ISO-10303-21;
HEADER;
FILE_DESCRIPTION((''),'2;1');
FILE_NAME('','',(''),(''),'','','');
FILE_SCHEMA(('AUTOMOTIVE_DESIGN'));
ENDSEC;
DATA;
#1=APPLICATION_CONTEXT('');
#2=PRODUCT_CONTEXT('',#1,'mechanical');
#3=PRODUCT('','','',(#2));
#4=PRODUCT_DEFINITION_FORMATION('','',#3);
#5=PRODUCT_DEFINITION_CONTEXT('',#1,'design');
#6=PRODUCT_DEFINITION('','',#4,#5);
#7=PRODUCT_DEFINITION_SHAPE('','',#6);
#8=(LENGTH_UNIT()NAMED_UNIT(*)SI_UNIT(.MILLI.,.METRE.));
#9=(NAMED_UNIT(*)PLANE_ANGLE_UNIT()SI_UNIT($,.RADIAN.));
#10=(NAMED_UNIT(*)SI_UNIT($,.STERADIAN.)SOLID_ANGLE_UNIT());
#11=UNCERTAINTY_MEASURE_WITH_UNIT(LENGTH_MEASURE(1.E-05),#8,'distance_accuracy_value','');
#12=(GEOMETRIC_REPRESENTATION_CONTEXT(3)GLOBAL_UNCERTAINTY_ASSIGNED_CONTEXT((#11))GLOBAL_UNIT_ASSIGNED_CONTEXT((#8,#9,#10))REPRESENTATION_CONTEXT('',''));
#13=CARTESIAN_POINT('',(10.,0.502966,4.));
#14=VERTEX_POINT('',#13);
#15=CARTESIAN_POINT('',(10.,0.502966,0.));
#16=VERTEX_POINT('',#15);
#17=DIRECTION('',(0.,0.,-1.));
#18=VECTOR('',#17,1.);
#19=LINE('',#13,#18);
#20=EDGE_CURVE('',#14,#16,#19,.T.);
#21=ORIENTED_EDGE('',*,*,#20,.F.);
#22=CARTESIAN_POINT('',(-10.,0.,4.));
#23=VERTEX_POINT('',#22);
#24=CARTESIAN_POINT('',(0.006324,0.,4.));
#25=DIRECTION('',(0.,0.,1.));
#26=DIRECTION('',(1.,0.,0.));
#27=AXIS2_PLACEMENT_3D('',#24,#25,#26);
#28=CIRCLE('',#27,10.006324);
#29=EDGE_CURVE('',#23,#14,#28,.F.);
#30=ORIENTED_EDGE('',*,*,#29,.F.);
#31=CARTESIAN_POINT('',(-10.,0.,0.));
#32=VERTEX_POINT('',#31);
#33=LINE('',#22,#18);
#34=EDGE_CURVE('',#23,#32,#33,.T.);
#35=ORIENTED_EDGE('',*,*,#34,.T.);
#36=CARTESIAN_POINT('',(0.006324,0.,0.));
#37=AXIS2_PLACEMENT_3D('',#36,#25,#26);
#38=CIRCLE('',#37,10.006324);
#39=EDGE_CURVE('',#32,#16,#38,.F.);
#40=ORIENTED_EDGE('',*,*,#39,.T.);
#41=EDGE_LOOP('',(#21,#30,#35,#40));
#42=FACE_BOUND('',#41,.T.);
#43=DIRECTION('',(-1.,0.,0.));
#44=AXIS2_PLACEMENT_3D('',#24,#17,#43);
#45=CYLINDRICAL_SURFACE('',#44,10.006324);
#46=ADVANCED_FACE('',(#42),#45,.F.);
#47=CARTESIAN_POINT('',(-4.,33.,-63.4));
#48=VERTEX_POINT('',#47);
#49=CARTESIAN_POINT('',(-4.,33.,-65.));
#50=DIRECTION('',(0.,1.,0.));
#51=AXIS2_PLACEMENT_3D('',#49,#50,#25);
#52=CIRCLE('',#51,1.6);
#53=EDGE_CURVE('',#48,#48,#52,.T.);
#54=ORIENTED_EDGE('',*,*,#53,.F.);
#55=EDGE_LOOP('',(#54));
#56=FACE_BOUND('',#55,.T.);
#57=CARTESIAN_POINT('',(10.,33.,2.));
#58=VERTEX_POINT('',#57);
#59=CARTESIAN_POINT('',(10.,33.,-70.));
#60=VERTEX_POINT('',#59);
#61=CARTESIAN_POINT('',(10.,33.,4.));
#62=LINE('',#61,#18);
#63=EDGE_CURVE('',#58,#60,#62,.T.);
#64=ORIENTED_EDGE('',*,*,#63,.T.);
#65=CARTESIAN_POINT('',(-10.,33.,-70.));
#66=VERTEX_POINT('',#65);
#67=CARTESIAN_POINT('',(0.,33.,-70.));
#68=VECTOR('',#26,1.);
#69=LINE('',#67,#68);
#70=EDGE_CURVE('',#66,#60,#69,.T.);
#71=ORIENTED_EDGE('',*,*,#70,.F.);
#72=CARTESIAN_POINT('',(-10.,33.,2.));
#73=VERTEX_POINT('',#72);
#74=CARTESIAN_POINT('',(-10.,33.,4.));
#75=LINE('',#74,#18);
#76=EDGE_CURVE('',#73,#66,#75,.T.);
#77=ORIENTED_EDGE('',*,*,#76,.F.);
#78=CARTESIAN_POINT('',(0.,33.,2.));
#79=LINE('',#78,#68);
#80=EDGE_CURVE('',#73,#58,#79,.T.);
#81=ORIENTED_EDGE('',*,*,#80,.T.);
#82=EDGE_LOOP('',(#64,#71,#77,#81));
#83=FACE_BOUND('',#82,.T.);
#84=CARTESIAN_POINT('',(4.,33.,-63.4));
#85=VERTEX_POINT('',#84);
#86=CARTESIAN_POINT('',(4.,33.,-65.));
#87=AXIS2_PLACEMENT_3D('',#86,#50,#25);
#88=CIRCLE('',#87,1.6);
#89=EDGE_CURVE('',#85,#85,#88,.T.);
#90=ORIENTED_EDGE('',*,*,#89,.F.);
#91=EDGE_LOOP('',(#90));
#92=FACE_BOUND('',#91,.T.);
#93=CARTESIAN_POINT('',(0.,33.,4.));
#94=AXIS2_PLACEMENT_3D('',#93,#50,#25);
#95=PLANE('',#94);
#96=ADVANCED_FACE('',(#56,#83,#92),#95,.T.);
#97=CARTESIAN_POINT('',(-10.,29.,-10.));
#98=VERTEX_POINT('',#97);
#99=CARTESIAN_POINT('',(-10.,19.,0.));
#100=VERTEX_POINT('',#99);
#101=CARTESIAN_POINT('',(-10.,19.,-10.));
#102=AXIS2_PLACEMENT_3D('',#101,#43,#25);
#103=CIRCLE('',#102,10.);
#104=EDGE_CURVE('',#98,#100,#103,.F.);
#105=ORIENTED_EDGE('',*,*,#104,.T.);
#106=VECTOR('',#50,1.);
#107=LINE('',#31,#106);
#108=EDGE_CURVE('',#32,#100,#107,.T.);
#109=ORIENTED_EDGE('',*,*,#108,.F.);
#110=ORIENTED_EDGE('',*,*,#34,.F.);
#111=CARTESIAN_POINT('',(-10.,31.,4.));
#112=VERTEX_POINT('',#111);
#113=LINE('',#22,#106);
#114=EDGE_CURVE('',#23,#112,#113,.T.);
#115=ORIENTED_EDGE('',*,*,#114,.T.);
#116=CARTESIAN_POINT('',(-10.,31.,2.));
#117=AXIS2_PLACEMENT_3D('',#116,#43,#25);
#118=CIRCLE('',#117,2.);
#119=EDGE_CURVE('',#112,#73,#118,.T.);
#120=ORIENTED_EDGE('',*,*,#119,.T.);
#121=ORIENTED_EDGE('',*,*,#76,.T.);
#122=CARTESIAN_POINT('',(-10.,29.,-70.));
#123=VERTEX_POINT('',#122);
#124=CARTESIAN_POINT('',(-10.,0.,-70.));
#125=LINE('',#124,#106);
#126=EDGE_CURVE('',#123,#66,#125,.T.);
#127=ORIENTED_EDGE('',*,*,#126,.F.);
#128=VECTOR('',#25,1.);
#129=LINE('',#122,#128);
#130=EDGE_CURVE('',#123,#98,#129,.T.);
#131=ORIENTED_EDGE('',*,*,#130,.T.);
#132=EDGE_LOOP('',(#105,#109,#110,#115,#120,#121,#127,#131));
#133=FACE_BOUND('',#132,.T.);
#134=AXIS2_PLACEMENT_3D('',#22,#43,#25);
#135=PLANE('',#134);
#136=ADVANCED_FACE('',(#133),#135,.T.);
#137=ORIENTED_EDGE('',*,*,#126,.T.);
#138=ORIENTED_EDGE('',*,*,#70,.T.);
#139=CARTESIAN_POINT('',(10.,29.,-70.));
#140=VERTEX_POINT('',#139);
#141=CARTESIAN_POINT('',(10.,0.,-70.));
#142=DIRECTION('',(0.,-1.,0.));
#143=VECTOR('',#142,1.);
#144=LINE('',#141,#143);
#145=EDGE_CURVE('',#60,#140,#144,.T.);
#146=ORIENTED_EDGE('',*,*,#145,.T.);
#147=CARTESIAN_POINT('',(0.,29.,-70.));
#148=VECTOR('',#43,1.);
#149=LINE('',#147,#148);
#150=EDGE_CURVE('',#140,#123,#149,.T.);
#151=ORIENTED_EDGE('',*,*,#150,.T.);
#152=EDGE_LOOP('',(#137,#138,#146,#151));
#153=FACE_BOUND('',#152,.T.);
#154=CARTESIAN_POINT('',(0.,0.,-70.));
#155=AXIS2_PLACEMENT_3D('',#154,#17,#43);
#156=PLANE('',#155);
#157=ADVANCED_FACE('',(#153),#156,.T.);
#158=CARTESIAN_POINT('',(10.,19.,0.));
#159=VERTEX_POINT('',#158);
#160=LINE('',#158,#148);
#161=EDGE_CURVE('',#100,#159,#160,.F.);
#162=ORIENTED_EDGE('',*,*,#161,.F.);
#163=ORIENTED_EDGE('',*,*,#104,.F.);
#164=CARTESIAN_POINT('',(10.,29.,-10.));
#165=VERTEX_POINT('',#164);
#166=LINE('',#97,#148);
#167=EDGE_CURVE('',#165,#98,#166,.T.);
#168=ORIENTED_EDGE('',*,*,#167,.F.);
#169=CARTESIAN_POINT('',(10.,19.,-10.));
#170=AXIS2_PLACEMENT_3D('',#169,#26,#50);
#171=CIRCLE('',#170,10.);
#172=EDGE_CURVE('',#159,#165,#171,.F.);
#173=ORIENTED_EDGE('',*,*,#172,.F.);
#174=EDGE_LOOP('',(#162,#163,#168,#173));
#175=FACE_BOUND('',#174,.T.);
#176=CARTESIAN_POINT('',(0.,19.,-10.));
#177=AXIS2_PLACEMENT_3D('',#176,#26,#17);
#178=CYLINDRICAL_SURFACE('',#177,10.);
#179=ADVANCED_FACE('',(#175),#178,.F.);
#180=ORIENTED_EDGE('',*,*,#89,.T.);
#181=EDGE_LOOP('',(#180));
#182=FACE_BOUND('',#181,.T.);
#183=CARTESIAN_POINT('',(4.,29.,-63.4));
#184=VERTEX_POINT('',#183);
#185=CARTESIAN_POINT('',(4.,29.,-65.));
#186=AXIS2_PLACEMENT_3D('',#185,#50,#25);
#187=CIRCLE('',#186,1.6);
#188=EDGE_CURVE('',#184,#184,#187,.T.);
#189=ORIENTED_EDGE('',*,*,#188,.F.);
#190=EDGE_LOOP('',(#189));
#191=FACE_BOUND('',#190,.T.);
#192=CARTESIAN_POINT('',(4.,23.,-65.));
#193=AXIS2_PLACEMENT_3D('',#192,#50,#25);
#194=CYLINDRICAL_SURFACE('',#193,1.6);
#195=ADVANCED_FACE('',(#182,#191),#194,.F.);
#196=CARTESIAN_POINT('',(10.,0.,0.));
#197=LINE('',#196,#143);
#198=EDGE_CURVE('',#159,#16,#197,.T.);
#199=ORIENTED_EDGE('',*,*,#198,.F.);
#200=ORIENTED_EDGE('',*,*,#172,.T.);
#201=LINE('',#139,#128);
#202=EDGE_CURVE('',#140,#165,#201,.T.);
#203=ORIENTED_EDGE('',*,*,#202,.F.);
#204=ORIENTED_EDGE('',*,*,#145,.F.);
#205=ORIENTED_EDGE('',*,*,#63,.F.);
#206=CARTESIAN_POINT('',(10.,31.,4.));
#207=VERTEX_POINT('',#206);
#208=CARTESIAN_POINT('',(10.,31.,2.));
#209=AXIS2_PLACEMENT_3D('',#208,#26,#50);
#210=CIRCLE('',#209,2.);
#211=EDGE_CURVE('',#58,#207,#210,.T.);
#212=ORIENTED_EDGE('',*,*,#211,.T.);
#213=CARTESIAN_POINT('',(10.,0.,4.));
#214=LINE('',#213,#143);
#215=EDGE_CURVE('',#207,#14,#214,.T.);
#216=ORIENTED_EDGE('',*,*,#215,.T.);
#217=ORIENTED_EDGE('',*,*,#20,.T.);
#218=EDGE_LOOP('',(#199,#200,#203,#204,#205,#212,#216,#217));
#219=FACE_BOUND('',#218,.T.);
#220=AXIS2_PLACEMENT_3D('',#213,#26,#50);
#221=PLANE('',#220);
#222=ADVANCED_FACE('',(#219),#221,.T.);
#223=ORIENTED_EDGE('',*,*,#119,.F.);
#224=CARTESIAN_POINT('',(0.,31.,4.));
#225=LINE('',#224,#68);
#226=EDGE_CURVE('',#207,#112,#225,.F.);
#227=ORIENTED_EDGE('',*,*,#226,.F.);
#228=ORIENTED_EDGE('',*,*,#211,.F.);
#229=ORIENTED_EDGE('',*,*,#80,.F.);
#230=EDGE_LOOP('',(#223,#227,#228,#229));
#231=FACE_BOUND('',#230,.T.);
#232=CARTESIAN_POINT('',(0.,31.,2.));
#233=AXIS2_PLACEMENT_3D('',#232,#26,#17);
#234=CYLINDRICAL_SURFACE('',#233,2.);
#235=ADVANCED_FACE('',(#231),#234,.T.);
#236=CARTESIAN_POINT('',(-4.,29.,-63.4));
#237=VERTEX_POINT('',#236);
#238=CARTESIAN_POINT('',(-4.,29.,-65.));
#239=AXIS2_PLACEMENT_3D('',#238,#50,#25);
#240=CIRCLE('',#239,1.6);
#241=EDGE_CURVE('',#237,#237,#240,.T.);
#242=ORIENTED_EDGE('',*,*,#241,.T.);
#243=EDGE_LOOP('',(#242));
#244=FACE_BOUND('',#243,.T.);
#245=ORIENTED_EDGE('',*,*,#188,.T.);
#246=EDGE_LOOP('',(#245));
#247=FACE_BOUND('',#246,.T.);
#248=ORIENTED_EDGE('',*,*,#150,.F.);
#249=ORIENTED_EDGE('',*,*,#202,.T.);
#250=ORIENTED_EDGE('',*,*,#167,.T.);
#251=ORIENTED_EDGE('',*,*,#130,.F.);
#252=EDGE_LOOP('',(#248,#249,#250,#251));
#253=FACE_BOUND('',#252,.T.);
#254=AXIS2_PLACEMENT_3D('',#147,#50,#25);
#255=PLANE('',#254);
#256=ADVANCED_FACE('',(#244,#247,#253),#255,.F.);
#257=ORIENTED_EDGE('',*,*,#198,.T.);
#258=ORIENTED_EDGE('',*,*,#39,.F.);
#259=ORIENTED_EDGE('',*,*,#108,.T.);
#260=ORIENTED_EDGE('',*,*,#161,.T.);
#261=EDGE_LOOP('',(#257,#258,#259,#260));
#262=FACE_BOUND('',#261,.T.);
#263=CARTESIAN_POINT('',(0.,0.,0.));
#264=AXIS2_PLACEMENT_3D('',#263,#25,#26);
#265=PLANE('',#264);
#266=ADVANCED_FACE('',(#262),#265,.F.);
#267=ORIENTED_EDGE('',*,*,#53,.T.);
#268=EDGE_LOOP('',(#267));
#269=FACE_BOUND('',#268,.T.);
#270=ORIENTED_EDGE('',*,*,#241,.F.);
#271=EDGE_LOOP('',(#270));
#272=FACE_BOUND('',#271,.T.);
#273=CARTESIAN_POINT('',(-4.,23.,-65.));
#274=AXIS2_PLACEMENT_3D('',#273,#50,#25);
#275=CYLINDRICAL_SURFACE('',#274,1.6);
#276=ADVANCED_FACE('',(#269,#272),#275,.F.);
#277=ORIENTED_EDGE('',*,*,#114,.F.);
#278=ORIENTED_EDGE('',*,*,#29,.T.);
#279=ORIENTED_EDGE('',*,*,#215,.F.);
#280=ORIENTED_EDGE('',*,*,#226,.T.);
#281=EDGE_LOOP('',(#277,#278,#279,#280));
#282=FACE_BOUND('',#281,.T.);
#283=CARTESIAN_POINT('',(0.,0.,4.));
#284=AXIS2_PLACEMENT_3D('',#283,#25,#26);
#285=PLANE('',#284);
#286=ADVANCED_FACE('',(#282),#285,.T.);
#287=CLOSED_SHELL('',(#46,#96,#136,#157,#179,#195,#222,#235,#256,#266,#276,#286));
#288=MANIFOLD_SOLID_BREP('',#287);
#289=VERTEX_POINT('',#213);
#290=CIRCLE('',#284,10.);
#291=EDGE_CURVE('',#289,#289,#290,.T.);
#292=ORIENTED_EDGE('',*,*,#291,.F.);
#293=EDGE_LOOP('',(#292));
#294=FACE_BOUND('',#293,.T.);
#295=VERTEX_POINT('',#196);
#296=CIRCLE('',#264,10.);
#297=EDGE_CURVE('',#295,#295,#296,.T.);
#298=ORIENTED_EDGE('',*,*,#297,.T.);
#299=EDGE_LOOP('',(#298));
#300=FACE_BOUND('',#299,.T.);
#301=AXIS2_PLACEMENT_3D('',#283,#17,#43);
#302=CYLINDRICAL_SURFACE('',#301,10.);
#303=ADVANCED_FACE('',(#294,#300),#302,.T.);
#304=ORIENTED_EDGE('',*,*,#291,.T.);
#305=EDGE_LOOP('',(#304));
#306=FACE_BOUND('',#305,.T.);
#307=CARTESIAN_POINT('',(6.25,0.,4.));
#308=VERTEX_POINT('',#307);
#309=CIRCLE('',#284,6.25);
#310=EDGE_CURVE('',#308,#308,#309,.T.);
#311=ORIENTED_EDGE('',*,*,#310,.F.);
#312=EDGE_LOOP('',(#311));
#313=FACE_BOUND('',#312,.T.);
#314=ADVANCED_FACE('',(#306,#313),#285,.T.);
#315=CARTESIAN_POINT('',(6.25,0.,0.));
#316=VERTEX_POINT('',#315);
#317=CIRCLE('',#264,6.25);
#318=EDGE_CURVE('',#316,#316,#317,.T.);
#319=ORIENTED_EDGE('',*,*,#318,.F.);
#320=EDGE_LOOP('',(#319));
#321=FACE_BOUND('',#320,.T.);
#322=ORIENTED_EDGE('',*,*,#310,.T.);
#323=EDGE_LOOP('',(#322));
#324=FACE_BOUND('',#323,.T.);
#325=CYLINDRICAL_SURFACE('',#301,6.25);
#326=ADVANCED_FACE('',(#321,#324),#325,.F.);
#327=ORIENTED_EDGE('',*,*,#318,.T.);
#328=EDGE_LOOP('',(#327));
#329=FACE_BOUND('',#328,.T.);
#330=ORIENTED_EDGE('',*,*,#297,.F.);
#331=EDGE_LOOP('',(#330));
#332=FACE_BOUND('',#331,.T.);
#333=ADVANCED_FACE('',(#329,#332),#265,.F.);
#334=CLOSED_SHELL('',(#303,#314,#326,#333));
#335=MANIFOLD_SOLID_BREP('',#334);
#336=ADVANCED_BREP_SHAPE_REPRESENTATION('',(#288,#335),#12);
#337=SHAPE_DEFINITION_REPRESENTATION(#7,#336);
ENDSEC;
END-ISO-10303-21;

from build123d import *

# Parameters (mm, degrees)
SALIENTE_EXTRUIR1_DEPTH   = 4
CROQUIS1_R                = 10
CROQUIS1_R_2              = 6.25
SALIENTE_EXTRUIR1_2_DEPTH = 4
CROQUIS2_W                = 20
CROQUIS2_H                = 4
SALIENTE_EXTRUIR2_DEPTH   = 70
CROQUIS3_R                = 1.6
CORTAR_EXTRUIR1_DEPTH     = 10
REDONDEO1_R               = 10
REDONDEO2_R               = 2


with BuildPart() as part:
    # Croquis1 → Saliente-Extruir1 (new body)
    with BuildSketch(Plane.XY):
        with BuildLine():
            Line((-10, 0), (-10, 33))
            Line((-10, 33), (10, 33))
            Line((10, 33), (10, 0.502965573))
            ThreePointArc((10, 0.502965573), (-0.245237938, 10.00316168), (-10, 0))
        make_face()
    extrude(amount=SALIENTE_EXTRUIR1_DEPTH)

    # Croquis2 → Saliente-Extruir2 (add)
    with BuildSketch(Plane(origin=(0, 0, 0), x_dir=(-1, 0, 0), z_dir=(0, 0, -1))):
        with Locations((0, 31)):
            Rectangle(CROQUIS2_W, CROQUIS2_H)
    extrude(amount=SALIENTE_EXTRUIR2_DEPTH)

    # Croquis3 → Cortar-Extruir1 (cut)
    with BuildSketch(Plane(origin=(0, 33, 0), x_dir=(1, 0, 0), z_dir=(0, 1, 0))):
        with Locations((-4, 65)):
            Circle(CROQUIS3_R)
        with Locations((4, 65)):
            Circle(CROQUIS3_R)
    extrude(amount=-CORTAR_EXTRUIR1_DEPTH, mode=Mode.SUBTRACT)

    # Redondeo1
    redondeo1_edges = [part.edges().sort_by_distance(p)[0] for p in [
        (0, 29, 0),
    ]]
    fillet(redondeo1_edges, radius=REDONDEO1_R)

    # Redondeo2
    redondeo2_edges = [part.edges().sort_by_distance(p)[0] for p in [
        (0, 33, 4),
    ]]
    fillet(redondeo2_edges, radius=REDONDEO2_R)


with BuildPart() as body_2:
    # Croquis1 → Saliente-Extruir1 2 (new body)
    with BuildSketch(Plane.XY):
        Circle(CROQUIS1_R)
        Circle(CROQUIS1_R_2, mode=Mode.SUBTRACT)
    extrude(amount=SALIENTE_EXTRUIR1_2_DEPTH)


solid = Compound([part.part, body_2.part])
